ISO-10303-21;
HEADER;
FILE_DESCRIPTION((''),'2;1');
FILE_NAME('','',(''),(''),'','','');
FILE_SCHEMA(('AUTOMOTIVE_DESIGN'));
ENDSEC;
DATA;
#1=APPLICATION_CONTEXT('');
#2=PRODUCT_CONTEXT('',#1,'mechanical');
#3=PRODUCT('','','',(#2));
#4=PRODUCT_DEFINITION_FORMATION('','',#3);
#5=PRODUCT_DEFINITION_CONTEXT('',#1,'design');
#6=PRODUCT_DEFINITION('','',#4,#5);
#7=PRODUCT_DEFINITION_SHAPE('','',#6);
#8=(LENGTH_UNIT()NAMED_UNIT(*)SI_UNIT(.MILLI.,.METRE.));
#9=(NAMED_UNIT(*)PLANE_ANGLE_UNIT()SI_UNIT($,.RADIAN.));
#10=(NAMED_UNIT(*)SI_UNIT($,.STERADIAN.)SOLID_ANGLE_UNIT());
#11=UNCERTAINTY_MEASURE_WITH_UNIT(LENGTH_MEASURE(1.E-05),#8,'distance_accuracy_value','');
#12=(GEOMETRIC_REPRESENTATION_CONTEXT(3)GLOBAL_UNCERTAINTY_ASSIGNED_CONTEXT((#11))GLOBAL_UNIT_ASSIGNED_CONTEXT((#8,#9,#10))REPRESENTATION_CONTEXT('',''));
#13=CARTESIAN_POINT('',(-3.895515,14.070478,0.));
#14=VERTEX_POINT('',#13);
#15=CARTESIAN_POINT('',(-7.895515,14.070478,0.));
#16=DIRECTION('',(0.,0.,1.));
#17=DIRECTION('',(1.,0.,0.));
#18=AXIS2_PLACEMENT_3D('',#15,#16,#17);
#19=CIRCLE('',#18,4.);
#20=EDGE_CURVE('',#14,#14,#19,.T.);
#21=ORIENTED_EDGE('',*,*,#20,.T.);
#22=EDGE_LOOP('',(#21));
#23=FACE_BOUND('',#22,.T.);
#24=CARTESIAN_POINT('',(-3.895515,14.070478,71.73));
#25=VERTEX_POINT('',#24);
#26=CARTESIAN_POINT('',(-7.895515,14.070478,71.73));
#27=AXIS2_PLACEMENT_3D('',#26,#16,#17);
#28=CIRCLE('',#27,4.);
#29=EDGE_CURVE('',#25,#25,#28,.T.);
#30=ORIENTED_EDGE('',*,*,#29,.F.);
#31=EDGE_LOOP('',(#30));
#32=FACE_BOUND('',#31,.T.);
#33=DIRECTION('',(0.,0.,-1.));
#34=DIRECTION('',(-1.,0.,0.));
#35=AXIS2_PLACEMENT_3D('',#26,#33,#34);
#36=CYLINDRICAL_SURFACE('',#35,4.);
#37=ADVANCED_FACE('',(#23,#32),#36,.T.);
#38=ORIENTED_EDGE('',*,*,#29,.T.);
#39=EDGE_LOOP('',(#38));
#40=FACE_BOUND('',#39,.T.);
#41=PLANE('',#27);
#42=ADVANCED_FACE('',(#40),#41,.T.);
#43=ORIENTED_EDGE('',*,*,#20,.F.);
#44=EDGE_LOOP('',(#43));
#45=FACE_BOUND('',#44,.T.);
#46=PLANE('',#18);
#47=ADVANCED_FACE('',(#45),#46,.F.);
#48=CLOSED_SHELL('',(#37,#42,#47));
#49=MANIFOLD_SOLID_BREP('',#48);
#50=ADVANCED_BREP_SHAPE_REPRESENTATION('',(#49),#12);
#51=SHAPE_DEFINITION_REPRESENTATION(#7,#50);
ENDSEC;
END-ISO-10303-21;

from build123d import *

# Parameters (mm, degrees)
SKETCH_1_R      = 4
EXTRUDE_1_DEPTH = 71.73


with BuildPart() as part:
    # 草图1 → 凸台-拉伸1 (new body)
    with BuildSketch(Plane.XY):
        with Locations((-7.895514891, 14.070478013)):
            Circle(SKETCH_1_R)
    extrude(amount=EXTRUDE_1_DEPTH)


solid = part.part
